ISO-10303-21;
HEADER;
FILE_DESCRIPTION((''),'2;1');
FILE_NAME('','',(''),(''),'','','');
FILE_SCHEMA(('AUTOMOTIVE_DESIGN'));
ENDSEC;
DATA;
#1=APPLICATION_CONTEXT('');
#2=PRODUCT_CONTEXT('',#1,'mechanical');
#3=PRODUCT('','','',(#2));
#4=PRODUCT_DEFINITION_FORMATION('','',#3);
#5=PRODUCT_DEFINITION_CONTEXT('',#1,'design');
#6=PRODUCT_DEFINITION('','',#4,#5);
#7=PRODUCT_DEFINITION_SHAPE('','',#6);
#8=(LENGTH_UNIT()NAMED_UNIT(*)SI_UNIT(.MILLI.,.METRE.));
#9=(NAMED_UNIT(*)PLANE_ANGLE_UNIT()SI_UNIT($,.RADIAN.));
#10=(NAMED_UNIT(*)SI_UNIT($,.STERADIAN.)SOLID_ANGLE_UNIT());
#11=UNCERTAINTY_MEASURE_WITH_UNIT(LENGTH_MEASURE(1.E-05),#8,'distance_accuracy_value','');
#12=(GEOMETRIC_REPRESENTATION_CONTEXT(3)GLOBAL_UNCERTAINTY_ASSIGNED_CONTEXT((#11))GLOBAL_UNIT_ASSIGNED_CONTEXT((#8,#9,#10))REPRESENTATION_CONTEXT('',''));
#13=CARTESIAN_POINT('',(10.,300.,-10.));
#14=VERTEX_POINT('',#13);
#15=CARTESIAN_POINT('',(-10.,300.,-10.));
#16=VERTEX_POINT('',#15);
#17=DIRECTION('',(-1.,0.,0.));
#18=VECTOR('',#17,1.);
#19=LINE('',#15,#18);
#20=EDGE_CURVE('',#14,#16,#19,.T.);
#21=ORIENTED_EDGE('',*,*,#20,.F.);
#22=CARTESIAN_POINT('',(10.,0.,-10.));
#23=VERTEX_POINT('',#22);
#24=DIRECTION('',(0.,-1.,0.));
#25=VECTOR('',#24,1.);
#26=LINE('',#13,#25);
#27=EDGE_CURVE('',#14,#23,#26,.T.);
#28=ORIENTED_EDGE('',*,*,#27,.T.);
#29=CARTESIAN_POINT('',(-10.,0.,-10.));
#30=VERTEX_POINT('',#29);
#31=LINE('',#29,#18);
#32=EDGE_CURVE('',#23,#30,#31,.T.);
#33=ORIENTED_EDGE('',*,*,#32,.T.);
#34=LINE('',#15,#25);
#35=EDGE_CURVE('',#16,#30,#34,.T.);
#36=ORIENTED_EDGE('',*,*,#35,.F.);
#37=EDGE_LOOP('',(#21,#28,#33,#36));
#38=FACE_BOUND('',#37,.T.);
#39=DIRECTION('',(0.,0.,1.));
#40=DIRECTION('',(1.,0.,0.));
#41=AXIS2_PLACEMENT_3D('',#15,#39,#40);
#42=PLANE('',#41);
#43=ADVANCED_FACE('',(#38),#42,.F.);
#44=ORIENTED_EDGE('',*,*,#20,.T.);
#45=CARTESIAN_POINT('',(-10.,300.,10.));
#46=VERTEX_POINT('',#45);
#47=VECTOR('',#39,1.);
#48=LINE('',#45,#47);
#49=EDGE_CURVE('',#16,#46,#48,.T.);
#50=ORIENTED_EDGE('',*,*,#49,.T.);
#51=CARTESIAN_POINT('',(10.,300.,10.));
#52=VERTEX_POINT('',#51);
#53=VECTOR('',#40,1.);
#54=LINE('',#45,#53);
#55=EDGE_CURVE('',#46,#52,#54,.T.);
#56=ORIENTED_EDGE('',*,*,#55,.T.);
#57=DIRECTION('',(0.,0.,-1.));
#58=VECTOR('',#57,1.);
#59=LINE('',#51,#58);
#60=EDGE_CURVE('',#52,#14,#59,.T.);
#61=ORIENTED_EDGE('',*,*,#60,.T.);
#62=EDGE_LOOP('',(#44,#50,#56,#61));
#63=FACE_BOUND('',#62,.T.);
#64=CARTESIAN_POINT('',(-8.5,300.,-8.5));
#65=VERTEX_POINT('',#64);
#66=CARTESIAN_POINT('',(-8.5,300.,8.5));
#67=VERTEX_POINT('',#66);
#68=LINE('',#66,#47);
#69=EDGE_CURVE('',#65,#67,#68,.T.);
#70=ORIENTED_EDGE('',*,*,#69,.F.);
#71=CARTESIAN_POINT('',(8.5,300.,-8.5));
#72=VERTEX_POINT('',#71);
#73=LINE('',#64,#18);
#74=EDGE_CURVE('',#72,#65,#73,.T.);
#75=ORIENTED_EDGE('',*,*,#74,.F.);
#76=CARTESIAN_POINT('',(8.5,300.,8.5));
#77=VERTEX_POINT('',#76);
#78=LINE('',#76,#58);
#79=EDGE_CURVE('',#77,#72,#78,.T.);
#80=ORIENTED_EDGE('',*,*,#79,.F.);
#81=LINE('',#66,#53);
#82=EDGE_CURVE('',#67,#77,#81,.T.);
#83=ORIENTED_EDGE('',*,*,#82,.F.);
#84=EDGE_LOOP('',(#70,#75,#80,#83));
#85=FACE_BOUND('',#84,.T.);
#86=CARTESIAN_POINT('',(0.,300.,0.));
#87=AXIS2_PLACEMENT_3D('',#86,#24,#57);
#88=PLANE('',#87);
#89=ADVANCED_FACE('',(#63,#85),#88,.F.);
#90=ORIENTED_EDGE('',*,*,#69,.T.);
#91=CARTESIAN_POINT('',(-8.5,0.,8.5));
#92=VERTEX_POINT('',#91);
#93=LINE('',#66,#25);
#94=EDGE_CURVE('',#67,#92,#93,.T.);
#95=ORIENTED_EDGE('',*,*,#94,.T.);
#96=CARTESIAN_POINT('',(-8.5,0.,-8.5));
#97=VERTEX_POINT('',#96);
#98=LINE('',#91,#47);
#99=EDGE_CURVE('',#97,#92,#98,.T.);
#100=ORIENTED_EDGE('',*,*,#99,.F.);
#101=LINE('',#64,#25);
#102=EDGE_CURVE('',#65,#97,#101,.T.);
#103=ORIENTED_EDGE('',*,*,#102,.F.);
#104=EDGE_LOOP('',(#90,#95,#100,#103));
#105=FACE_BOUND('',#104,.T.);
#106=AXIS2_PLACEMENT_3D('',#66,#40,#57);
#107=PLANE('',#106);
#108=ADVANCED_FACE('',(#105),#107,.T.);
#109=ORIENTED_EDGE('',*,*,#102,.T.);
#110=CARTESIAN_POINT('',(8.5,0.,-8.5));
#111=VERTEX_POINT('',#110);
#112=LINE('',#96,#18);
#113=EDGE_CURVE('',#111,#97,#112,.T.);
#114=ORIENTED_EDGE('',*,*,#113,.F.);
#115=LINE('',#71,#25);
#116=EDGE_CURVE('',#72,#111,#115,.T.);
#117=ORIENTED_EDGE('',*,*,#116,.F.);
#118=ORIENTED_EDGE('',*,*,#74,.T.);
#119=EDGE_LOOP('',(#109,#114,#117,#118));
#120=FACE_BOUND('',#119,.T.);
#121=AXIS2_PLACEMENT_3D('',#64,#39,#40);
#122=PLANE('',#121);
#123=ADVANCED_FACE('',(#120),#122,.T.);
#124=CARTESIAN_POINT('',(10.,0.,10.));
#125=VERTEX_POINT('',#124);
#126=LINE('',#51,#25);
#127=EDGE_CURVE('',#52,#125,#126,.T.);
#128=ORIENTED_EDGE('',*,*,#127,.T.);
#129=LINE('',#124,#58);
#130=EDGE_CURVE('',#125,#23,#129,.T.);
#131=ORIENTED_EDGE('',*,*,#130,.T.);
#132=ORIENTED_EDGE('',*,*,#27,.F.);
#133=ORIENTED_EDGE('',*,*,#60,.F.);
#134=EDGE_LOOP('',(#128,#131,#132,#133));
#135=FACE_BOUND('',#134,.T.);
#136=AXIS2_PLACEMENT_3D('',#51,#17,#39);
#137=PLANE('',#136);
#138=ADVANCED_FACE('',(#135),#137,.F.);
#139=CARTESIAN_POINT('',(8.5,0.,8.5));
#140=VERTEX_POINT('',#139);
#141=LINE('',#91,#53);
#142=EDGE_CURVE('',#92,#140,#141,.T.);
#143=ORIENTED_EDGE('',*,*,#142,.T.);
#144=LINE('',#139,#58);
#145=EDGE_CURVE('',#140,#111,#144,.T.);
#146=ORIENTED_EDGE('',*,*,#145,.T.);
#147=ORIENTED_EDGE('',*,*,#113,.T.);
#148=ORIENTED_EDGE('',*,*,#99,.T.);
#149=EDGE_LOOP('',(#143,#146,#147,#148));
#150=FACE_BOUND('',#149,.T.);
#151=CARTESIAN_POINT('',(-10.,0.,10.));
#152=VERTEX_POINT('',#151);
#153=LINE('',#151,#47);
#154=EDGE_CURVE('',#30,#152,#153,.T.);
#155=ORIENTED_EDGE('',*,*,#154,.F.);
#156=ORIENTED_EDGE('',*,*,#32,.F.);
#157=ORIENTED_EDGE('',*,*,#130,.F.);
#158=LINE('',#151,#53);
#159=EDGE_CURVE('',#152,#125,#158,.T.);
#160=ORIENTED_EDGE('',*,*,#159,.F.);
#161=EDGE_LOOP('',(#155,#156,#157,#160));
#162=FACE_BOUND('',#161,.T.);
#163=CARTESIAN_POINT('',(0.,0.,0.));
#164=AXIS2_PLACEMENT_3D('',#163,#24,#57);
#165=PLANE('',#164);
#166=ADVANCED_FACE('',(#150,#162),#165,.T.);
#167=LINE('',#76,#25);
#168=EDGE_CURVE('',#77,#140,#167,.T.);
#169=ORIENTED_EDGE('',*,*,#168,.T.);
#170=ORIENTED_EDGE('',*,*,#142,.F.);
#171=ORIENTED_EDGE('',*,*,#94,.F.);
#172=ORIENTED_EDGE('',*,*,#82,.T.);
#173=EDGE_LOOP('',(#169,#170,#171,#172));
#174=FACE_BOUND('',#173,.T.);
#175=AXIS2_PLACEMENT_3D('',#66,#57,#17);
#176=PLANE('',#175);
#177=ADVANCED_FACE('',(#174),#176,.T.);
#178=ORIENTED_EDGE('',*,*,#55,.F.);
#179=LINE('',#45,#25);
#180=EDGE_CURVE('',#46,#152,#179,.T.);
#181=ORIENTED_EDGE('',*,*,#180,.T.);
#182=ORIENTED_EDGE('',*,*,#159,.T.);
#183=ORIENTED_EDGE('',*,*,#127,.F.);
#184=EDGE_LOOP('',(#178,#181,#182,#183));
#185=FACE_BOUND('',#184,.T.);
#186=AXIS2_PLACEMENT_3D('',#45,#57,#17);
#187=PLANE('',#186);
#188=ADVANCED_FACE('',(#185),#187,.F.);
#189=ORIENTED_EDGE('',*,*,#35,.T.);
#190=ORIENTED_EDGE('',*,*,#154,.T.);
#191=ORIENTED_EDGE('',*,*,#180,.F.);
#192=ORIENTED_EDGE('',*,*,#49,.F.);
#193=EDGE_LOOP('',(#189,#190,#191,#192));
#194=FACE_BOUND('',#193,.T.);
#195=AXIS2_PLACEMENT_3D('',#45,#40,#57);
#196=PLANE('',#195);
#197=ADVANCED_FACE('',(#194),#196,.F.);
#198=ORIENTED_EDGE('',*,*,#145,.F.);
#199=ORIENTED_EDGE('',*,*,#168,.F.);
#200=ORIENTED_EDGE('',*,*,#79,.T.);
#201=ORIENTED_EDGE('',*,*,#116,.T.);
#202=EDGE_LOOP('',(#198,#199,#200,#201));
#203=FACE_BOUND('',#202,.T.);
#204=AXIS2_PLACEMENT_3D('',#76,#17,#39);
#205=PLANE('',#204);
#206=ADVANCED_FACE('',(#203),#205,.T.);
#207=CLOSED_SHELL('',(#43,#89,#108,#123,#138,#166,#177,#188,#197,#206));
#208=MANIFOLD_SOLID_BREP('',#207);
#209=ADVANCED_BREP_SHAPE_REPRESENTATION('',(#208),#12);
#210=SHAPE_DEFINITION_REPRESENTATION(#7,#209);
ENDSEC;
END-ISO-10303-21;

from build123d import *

# Parameters (mm, degrees)
SKETCH_1_W      = 20
SKETCH_1_H      = 20
SKETCH_1_W_2    = 17
SKETCH_1_H_2    = 17
EXTRUDE_1_DEPTH = 300


with BuildPart() as part:
    # Эскиз1 → Бобышка-Вытянуть1 (new body)
    with BuildSketch(Plane(origin=(0, 0, 0), x_dir=(1, 0, 0), z_dir=(0, 1, 0))):
        Rectangle(SKETCH_1_W, SKETCH_1_H)
        Rectangle(SKETCH_1_W_2, SKETCH_1_H_2, mode=Mode.SUBTRACT)
    extrude(amount=EXTRUDE_1_DEPTH)


solid = part.part
